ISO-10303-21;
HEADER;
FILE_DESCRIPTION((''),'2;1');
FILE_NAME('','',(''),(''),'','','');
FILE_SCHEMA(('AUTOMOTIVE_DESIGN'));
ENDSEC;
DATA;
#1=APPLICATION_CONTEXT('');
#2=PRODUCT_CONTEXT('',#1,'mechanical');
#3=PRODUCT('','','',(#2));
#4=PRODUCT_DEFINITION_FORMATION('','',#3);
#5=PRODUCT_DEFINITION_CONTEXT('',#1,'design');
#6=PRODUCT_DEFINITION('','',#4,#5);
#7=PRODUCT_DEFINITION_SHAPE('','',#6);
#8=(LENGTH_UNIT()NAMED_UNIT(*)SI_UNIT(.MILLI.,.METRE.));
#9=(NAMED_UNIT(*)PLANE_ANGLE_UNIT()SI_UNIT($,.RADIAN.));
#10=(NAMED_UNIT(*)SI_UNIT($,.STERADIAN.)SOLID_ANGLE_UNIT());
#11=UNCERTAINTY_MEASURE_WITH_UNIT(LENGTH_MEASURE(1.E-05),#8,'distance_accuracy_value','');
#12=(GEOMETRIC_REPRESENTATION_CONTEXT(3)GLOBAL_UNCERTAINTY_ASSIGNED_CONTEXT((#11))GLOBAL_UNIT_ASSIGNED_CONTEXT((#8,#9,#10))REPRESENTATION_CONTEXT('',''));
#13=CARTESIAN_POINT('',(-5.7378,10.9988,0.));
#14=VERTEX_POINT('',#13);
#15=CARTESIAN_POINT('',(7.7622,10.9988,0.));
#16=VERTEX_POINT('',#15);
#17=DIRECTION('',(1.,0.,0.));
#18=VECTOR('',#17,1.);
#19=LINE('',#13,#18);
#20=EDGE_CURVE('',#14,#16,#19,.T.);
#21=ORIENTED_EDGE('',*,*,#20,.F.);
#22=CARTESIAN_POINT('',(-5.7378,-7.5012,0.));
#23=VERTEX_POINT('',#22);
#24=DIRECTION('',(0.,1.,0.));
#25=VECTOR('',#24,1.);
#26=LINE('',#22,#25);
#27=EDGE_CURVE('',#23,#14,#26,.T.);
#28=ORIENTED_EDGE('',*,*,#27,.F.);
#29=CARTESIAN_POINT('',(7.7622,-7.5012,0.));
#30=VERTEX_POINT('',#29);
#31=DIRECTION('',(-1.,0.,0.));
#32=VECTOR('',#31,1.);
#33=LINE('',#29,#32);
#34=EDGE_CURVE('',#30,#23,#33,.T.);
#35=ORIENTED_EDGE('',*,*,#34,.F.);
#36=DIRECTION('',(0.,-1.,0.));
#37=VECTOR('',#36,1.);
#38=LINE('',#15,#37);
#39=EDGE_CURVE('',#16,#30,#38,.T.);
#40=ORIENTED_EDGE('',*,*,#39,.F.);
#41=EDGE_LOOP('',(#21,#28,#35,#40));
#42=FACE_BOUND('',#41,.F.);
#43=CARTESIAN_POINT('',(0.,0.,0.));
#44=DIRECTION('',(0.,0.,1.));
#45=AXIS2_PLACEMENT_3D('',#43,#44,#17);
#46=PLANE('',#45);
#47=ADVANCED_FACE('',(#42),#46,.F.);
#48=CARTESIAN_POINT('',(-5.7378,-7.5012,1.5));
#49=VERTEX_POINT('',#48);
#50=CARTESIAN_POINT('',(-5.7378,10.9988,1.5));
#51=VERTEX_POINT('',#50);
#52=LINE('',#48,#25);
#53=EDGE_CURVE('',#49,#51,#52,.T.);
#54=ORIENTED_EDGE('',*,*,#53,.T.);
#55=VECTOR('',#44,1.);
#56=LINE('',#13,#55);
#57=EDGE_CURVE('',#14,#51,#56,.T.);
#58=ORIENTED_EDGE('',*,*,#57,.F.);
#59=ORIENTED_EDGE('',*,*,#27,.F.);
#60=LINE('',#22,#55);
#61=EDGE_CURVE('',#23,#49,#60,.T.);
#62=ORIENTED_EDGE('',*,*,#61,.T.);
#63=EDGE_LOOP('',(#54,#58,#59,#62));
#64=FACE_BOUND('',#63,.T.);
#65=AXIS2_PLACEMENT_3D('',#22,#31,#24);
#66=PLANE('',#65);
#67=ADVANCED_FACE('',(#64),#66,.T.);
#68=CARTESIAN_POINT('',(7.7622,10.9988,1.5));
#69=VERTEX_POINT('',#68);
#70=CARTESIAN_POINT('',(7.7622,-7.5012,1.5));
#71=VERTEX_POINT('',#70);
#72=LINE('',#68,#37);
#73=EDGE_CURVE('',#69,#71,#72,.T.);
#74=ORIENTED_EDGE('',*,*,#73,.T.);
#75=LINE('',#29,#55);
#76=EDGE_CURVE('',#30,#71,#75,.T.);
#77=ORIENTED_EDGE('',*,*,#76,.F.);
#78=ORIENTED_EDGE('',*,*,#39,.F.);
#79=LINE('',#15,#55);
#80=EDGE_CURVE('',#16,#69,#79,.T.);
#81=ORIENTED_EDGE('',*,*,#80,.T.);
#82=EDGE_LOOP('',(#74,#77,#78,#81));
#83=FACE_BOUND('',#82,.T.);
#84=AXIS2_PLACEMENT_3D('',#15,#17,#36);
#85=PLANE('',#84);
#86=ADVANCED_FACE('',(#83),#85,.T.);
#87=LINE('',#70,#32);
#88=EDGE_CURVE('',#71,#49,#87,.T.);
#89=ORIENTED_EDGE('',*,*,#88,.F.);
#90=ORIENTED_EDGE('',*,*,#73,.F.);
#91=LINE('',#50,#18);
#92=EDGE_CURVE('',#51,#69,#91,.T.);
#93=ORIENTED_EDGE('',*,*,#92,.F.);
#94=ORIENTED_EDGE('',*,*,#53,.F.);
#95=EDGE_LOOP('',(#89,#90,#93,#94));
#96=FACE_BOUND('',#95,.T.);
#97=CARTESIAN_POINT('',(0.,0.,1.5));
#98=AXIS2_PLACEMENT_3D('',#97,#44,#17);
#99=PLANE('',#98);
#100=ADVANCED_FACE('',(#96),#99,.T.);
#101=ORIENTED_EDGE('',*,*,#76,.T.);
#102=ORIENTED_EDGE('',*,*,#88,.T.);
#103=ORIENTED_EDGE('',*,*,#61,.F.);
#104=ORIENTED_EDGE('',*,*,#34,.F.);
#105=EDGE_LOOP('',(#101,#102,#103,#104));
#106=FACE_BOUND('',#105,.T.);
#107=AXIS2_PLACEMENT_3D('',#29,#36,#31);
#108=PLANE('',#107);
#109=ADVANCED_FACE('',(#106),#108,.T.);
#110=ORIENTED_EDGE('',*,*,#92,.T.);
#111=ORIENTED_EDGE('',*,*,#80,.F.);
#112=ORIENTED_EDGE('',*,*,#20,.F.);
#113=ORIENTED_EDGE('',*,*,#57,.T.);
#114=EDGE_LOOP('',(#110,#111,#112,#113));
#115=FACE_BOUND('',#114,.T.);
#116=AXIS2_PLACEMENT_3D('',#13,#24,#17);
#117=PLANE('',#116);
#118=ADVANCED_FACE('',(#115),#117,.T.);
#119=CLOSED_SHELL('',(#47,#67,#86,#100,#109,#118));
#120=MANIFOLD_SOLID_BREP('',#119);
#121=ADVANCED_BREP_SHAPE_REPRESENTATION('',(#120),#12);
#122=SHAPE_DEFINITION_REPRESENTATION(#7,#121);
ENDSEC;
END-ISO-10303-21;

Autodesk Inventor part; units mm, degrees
ref_plane "YZ Plane" through (0, 0, 0) normal (1, 0, 0) x (0, 1, 0)
ref_plane "XZ Plane" through (0, 0, 0) normal (0, 1, 0) x (-1, 0, 0)
ref_plane "XY Plane" through (0, 0, 0) normal (0, 0, 1) x (1, 0, 0)
sketch "Sketch1" plane through (0, 0, 0) normal (0, 0, 1) x (1, 0, 0)
  line L0 (-5.7378, 10.9988) -> (7.7622, 10.9988)
  line L1 (7.7622, 10.9988) -> (7.7622, -7.5012)
  line L2 (7.7622, -7.5012) -> (-5.7378, -7.5012)
  line L3 (-5.7378, -7.5012) -> (-5.7378, 10.9988)
  point P0 (0, 0)
  dimension "d0" = 13.5
  dimension "d1" = 18.5
extrude "Extrusion1" add sketch "Sketch1" along normal blind 1.5
properties part number "bussola"
